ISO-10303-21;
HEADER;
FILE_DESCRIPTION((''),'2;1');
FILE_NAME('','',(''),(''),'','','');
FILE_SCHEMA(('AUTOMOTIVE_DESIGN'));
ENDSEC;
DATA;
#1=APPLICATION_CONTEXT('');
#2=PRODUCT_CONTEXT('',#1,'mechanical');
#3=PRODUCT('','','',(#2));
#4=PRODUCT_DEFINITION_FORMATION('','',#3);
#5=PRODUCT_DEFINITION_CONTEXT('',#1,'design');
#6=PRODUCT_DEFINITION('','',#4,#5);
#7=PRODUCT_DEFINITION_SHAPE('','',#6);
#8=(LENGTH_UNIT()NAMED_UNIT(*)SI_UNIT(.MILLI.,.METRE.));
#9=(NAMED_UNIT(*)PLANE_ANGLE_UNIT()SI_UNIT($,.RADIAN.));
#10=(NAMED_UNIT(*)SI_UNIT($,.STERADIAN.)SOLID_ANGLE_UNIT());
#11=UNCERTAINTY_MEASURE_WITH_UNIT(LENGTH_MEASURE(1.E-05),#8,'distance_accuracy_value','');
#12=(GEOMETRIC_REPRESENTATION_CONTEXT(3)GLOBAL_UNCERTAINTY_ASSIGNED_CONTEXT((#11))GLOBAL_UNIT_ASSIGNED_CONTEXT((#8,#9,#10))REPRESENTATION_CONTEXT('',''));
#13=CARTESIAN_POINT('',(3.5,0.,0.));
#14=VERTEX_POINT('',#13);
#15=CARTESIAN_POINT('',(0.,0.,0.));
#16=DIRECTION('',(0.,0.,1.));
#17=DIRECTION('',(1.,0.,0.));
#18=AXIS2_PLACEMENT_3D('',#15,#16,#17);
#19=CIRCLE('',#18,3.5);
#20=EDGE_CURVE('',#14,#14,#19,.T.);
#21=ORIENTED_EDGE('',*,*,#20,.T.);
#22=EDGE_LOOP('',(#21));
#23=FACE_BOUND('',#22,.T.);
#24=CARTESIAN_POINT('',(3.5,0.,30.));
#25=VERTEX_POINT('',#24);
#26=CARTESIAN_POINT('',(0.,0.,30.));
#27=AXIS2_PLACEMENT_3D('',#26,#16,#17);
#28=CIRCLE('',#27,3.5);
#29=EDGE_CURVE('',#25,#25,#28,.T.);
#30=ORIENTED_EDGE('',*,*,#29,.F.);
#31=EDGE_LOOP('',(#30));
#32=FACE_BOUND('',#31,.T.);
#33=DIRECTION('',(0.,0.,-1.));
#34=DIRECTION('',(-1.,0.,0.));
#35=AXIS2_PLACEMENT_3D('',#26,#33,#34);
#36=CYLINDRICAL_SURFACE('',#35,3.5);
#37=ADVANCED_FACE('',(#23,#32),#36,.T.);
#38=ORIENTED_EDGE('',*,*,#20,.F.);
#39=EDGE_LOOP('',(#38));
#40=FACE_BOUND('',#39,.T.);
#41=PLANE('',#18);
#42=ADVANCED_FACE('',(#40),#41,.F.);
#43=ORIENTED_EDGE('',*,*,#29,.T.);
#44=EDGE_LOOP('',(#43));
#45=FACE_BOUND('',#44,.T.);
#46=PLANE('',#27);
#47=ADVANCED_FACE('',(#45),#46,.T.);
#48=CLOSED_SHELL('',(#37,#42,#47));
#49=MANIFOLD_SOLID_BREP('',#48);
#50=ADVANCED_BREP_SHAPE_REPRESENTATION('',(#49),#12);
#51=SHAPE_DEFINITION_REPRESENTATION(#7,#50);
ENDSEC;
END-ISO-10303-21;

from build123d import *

# Parameters (mm, degrees)
SKETCH1_R           = 3.5
BOSS_EXTRUDE1_DEPTH = 30


with BuildPart() as part:
    # Sketch1 → Boss-Extrude1 (new body)
    with BuildSketch(Plane.XY):
        Circle(SKETCH1_R)
    extrude(amount=BOSS_EXTRUDE1_DEPTH)


solid = part.part
